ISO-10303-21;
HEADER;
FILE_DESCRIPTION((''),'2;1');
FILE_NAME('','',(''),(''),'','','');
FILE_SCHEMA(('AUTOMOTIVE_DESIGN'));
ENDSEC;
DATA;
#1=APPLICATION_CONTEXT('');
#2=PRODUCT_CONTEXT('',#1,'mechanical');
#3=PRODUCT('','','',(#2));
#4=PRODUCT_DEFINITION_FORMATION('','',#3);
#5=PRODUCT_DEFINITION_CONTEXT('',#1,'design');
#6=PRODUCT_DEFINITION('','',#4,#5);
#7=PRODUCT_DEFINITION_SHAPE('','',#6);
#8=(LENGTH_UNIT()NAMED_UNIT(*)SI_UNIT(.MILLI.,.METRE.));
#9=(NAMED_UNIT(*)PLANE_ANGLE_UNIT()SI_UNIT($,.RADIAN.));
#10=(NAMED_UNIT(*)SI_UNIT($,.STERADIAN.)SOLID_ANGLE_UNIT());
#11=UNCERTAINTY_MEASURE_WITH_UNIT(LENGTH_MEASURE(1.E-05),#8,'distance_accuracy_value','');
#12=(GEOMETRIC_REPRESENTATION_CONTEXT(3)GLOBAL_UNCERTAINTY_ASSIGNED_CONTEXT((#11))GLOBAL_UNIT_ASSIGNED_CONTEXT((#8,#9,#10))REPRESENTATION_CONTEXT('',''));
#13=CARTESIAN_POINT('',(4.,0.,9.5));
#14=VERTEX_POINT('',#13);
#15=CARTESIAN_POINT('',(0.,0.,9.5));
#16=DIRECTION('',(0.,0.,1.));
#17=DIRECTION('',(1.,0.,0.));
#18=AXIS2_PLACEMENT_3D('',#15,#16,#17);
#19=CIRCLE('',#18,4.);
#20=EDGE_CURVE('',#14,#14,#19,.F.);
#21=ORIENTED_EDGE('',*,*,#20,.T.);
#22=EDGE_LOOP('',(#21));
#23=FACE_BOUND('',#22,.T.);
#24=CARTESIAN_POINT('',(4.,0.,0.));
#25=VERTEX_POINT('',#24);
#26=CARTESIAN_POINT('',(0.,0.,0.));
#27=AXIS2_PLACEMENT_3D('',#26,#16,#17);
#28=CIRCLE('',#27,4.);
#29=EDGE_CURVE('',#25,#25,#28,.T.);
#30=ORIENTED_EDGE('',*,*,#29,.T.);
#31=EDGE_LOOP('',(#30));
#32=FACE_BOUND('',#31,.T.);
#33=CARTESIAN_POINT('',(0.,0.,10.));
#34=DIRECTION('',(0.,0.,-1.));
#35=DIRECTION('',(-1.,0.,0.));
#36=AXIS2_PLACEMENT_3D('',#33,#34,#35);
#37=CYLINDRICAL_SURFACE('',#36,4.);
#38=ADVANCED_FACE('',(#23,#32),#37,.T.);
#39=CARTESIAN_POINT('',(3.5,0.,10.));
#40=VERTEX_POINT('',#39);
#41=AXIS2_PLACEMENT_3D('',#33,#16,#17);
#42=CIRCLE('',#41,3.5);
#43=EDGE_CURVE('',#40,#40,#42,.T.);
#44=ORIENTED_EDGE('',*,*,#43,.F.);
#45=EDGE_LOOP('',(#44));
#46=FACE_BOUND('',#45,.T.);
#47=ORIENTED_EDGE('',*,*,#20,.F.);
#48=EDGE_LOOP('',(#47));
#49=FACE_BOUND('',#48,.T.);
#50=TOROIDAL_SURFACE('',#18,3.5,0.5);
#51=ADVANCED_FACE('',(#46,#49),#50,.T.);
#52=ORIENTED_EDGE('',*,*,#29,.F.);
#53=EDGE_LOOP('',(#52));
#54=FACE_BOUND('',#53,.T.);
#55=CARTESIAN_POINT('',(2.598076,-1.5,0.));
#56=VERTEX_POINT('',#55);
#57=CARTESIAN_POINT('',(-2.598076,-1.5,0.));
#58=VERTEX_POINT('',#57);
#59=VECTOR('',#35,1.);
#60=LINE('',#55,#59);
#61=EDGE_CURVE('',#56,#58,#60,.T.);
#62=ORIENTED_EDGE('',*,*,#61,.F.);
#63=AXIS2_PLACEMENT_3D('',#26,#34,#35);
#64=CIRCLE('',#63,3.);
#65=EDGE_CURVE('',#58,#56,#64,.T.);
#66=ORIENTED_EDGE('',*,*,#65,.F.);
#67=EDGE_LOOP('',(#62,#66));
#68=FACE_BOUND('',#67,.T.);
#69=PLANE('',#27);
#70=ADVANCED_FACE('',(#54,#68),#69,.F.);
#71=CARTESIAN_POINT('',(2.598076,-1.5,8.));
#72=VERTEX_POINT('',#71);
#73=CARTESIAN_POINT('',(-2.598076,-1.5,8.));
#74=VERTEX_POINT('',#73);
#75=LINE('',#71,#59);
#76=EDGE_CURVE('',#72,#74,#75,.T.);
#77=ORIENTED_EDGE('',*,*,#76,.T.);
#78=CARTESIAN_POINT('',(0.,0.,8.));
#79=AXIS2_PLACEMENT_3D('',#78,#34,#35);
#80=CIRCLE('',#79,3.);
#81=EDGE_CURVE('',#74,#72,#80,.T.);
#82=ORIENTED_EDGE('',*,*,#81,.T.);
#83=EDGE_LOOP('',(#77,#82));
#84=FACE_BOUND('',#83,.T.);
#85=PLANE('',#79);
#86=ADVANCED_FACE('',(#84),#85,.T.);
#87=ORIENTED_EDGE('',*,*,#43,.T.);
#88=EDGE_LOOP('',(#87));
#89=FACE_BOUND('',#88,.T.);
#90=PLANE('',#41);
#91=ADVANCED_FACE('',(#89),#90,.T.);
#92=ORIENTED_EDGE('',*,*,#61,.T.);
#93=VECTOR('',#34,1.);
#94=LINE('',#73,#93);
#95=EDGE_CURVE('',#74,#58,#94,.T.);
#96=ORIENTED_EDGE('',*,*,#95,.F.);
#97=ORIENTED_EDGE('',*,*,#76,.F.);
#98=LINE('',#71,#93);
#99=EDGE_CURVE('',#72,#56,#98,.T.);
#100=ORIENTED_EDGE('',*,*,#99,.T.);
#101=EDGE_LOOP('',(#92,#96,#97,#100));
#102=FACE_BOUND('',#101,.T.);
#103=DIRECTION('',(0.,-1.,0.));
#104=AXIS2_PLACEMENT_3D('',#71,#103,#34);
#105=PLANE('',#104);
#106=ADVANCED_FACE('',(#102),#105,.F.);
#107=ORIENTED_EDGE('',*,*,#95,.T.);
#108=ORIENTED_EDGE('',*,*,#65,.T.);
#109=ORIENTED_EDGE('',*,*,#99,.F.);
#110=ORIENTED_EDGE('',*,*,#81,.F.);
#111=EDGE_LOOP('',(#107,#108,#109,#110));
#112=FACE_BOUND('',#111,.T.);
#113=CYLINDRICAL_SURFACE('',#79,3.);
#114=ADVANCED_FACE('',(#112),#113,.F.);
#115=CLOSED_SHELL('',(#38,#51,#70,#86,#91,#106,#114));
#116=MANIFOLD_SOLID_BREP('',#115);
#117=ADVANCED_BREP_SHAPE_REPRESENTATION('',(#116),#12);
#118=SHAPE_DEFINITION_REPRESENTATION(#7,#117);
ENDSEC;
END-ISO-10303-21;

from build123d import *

# Parameters (mm, degrees)
SKETCH1_R      = 4
BASE_DEPTH     = 10
POT_HOLE_DEPTH = 8
FILLET1_R      = 0.5


with BuildPart() as part:
    # Sketch1 → Base (new body)
    with BuildSketch(Plane.XY):
        Circle(SKETCH1_R)
    extrude(amount=BASE_DEPTH)

    # Sketch2 → Pot Hole (cut)
    with BuildSketch(Plane(origin=(0, 0, 0), x_dir=(-1, 0, 0), z_dir=(0, 0, -1))):
        with BuildLine():
            Line((-2.598076211, -1.5), (2.598076211, -1.5))
            ThreePointArc((2.598076211, -1.5), (0, 3), (-2.598076211, -1.5))
        make_face()
    extrude(amount=-POT_HOLE_DEPTH, mode=Mode.SUBTRACT)

    # Fillet1
    fillet1_edges = [part.edges().sort_by_distance(p)[0] for p in [
        (-4, 0, 10),
    ]]
    fillet(fillet1_edges, radius=FILLET1_R)


solid = part.part
